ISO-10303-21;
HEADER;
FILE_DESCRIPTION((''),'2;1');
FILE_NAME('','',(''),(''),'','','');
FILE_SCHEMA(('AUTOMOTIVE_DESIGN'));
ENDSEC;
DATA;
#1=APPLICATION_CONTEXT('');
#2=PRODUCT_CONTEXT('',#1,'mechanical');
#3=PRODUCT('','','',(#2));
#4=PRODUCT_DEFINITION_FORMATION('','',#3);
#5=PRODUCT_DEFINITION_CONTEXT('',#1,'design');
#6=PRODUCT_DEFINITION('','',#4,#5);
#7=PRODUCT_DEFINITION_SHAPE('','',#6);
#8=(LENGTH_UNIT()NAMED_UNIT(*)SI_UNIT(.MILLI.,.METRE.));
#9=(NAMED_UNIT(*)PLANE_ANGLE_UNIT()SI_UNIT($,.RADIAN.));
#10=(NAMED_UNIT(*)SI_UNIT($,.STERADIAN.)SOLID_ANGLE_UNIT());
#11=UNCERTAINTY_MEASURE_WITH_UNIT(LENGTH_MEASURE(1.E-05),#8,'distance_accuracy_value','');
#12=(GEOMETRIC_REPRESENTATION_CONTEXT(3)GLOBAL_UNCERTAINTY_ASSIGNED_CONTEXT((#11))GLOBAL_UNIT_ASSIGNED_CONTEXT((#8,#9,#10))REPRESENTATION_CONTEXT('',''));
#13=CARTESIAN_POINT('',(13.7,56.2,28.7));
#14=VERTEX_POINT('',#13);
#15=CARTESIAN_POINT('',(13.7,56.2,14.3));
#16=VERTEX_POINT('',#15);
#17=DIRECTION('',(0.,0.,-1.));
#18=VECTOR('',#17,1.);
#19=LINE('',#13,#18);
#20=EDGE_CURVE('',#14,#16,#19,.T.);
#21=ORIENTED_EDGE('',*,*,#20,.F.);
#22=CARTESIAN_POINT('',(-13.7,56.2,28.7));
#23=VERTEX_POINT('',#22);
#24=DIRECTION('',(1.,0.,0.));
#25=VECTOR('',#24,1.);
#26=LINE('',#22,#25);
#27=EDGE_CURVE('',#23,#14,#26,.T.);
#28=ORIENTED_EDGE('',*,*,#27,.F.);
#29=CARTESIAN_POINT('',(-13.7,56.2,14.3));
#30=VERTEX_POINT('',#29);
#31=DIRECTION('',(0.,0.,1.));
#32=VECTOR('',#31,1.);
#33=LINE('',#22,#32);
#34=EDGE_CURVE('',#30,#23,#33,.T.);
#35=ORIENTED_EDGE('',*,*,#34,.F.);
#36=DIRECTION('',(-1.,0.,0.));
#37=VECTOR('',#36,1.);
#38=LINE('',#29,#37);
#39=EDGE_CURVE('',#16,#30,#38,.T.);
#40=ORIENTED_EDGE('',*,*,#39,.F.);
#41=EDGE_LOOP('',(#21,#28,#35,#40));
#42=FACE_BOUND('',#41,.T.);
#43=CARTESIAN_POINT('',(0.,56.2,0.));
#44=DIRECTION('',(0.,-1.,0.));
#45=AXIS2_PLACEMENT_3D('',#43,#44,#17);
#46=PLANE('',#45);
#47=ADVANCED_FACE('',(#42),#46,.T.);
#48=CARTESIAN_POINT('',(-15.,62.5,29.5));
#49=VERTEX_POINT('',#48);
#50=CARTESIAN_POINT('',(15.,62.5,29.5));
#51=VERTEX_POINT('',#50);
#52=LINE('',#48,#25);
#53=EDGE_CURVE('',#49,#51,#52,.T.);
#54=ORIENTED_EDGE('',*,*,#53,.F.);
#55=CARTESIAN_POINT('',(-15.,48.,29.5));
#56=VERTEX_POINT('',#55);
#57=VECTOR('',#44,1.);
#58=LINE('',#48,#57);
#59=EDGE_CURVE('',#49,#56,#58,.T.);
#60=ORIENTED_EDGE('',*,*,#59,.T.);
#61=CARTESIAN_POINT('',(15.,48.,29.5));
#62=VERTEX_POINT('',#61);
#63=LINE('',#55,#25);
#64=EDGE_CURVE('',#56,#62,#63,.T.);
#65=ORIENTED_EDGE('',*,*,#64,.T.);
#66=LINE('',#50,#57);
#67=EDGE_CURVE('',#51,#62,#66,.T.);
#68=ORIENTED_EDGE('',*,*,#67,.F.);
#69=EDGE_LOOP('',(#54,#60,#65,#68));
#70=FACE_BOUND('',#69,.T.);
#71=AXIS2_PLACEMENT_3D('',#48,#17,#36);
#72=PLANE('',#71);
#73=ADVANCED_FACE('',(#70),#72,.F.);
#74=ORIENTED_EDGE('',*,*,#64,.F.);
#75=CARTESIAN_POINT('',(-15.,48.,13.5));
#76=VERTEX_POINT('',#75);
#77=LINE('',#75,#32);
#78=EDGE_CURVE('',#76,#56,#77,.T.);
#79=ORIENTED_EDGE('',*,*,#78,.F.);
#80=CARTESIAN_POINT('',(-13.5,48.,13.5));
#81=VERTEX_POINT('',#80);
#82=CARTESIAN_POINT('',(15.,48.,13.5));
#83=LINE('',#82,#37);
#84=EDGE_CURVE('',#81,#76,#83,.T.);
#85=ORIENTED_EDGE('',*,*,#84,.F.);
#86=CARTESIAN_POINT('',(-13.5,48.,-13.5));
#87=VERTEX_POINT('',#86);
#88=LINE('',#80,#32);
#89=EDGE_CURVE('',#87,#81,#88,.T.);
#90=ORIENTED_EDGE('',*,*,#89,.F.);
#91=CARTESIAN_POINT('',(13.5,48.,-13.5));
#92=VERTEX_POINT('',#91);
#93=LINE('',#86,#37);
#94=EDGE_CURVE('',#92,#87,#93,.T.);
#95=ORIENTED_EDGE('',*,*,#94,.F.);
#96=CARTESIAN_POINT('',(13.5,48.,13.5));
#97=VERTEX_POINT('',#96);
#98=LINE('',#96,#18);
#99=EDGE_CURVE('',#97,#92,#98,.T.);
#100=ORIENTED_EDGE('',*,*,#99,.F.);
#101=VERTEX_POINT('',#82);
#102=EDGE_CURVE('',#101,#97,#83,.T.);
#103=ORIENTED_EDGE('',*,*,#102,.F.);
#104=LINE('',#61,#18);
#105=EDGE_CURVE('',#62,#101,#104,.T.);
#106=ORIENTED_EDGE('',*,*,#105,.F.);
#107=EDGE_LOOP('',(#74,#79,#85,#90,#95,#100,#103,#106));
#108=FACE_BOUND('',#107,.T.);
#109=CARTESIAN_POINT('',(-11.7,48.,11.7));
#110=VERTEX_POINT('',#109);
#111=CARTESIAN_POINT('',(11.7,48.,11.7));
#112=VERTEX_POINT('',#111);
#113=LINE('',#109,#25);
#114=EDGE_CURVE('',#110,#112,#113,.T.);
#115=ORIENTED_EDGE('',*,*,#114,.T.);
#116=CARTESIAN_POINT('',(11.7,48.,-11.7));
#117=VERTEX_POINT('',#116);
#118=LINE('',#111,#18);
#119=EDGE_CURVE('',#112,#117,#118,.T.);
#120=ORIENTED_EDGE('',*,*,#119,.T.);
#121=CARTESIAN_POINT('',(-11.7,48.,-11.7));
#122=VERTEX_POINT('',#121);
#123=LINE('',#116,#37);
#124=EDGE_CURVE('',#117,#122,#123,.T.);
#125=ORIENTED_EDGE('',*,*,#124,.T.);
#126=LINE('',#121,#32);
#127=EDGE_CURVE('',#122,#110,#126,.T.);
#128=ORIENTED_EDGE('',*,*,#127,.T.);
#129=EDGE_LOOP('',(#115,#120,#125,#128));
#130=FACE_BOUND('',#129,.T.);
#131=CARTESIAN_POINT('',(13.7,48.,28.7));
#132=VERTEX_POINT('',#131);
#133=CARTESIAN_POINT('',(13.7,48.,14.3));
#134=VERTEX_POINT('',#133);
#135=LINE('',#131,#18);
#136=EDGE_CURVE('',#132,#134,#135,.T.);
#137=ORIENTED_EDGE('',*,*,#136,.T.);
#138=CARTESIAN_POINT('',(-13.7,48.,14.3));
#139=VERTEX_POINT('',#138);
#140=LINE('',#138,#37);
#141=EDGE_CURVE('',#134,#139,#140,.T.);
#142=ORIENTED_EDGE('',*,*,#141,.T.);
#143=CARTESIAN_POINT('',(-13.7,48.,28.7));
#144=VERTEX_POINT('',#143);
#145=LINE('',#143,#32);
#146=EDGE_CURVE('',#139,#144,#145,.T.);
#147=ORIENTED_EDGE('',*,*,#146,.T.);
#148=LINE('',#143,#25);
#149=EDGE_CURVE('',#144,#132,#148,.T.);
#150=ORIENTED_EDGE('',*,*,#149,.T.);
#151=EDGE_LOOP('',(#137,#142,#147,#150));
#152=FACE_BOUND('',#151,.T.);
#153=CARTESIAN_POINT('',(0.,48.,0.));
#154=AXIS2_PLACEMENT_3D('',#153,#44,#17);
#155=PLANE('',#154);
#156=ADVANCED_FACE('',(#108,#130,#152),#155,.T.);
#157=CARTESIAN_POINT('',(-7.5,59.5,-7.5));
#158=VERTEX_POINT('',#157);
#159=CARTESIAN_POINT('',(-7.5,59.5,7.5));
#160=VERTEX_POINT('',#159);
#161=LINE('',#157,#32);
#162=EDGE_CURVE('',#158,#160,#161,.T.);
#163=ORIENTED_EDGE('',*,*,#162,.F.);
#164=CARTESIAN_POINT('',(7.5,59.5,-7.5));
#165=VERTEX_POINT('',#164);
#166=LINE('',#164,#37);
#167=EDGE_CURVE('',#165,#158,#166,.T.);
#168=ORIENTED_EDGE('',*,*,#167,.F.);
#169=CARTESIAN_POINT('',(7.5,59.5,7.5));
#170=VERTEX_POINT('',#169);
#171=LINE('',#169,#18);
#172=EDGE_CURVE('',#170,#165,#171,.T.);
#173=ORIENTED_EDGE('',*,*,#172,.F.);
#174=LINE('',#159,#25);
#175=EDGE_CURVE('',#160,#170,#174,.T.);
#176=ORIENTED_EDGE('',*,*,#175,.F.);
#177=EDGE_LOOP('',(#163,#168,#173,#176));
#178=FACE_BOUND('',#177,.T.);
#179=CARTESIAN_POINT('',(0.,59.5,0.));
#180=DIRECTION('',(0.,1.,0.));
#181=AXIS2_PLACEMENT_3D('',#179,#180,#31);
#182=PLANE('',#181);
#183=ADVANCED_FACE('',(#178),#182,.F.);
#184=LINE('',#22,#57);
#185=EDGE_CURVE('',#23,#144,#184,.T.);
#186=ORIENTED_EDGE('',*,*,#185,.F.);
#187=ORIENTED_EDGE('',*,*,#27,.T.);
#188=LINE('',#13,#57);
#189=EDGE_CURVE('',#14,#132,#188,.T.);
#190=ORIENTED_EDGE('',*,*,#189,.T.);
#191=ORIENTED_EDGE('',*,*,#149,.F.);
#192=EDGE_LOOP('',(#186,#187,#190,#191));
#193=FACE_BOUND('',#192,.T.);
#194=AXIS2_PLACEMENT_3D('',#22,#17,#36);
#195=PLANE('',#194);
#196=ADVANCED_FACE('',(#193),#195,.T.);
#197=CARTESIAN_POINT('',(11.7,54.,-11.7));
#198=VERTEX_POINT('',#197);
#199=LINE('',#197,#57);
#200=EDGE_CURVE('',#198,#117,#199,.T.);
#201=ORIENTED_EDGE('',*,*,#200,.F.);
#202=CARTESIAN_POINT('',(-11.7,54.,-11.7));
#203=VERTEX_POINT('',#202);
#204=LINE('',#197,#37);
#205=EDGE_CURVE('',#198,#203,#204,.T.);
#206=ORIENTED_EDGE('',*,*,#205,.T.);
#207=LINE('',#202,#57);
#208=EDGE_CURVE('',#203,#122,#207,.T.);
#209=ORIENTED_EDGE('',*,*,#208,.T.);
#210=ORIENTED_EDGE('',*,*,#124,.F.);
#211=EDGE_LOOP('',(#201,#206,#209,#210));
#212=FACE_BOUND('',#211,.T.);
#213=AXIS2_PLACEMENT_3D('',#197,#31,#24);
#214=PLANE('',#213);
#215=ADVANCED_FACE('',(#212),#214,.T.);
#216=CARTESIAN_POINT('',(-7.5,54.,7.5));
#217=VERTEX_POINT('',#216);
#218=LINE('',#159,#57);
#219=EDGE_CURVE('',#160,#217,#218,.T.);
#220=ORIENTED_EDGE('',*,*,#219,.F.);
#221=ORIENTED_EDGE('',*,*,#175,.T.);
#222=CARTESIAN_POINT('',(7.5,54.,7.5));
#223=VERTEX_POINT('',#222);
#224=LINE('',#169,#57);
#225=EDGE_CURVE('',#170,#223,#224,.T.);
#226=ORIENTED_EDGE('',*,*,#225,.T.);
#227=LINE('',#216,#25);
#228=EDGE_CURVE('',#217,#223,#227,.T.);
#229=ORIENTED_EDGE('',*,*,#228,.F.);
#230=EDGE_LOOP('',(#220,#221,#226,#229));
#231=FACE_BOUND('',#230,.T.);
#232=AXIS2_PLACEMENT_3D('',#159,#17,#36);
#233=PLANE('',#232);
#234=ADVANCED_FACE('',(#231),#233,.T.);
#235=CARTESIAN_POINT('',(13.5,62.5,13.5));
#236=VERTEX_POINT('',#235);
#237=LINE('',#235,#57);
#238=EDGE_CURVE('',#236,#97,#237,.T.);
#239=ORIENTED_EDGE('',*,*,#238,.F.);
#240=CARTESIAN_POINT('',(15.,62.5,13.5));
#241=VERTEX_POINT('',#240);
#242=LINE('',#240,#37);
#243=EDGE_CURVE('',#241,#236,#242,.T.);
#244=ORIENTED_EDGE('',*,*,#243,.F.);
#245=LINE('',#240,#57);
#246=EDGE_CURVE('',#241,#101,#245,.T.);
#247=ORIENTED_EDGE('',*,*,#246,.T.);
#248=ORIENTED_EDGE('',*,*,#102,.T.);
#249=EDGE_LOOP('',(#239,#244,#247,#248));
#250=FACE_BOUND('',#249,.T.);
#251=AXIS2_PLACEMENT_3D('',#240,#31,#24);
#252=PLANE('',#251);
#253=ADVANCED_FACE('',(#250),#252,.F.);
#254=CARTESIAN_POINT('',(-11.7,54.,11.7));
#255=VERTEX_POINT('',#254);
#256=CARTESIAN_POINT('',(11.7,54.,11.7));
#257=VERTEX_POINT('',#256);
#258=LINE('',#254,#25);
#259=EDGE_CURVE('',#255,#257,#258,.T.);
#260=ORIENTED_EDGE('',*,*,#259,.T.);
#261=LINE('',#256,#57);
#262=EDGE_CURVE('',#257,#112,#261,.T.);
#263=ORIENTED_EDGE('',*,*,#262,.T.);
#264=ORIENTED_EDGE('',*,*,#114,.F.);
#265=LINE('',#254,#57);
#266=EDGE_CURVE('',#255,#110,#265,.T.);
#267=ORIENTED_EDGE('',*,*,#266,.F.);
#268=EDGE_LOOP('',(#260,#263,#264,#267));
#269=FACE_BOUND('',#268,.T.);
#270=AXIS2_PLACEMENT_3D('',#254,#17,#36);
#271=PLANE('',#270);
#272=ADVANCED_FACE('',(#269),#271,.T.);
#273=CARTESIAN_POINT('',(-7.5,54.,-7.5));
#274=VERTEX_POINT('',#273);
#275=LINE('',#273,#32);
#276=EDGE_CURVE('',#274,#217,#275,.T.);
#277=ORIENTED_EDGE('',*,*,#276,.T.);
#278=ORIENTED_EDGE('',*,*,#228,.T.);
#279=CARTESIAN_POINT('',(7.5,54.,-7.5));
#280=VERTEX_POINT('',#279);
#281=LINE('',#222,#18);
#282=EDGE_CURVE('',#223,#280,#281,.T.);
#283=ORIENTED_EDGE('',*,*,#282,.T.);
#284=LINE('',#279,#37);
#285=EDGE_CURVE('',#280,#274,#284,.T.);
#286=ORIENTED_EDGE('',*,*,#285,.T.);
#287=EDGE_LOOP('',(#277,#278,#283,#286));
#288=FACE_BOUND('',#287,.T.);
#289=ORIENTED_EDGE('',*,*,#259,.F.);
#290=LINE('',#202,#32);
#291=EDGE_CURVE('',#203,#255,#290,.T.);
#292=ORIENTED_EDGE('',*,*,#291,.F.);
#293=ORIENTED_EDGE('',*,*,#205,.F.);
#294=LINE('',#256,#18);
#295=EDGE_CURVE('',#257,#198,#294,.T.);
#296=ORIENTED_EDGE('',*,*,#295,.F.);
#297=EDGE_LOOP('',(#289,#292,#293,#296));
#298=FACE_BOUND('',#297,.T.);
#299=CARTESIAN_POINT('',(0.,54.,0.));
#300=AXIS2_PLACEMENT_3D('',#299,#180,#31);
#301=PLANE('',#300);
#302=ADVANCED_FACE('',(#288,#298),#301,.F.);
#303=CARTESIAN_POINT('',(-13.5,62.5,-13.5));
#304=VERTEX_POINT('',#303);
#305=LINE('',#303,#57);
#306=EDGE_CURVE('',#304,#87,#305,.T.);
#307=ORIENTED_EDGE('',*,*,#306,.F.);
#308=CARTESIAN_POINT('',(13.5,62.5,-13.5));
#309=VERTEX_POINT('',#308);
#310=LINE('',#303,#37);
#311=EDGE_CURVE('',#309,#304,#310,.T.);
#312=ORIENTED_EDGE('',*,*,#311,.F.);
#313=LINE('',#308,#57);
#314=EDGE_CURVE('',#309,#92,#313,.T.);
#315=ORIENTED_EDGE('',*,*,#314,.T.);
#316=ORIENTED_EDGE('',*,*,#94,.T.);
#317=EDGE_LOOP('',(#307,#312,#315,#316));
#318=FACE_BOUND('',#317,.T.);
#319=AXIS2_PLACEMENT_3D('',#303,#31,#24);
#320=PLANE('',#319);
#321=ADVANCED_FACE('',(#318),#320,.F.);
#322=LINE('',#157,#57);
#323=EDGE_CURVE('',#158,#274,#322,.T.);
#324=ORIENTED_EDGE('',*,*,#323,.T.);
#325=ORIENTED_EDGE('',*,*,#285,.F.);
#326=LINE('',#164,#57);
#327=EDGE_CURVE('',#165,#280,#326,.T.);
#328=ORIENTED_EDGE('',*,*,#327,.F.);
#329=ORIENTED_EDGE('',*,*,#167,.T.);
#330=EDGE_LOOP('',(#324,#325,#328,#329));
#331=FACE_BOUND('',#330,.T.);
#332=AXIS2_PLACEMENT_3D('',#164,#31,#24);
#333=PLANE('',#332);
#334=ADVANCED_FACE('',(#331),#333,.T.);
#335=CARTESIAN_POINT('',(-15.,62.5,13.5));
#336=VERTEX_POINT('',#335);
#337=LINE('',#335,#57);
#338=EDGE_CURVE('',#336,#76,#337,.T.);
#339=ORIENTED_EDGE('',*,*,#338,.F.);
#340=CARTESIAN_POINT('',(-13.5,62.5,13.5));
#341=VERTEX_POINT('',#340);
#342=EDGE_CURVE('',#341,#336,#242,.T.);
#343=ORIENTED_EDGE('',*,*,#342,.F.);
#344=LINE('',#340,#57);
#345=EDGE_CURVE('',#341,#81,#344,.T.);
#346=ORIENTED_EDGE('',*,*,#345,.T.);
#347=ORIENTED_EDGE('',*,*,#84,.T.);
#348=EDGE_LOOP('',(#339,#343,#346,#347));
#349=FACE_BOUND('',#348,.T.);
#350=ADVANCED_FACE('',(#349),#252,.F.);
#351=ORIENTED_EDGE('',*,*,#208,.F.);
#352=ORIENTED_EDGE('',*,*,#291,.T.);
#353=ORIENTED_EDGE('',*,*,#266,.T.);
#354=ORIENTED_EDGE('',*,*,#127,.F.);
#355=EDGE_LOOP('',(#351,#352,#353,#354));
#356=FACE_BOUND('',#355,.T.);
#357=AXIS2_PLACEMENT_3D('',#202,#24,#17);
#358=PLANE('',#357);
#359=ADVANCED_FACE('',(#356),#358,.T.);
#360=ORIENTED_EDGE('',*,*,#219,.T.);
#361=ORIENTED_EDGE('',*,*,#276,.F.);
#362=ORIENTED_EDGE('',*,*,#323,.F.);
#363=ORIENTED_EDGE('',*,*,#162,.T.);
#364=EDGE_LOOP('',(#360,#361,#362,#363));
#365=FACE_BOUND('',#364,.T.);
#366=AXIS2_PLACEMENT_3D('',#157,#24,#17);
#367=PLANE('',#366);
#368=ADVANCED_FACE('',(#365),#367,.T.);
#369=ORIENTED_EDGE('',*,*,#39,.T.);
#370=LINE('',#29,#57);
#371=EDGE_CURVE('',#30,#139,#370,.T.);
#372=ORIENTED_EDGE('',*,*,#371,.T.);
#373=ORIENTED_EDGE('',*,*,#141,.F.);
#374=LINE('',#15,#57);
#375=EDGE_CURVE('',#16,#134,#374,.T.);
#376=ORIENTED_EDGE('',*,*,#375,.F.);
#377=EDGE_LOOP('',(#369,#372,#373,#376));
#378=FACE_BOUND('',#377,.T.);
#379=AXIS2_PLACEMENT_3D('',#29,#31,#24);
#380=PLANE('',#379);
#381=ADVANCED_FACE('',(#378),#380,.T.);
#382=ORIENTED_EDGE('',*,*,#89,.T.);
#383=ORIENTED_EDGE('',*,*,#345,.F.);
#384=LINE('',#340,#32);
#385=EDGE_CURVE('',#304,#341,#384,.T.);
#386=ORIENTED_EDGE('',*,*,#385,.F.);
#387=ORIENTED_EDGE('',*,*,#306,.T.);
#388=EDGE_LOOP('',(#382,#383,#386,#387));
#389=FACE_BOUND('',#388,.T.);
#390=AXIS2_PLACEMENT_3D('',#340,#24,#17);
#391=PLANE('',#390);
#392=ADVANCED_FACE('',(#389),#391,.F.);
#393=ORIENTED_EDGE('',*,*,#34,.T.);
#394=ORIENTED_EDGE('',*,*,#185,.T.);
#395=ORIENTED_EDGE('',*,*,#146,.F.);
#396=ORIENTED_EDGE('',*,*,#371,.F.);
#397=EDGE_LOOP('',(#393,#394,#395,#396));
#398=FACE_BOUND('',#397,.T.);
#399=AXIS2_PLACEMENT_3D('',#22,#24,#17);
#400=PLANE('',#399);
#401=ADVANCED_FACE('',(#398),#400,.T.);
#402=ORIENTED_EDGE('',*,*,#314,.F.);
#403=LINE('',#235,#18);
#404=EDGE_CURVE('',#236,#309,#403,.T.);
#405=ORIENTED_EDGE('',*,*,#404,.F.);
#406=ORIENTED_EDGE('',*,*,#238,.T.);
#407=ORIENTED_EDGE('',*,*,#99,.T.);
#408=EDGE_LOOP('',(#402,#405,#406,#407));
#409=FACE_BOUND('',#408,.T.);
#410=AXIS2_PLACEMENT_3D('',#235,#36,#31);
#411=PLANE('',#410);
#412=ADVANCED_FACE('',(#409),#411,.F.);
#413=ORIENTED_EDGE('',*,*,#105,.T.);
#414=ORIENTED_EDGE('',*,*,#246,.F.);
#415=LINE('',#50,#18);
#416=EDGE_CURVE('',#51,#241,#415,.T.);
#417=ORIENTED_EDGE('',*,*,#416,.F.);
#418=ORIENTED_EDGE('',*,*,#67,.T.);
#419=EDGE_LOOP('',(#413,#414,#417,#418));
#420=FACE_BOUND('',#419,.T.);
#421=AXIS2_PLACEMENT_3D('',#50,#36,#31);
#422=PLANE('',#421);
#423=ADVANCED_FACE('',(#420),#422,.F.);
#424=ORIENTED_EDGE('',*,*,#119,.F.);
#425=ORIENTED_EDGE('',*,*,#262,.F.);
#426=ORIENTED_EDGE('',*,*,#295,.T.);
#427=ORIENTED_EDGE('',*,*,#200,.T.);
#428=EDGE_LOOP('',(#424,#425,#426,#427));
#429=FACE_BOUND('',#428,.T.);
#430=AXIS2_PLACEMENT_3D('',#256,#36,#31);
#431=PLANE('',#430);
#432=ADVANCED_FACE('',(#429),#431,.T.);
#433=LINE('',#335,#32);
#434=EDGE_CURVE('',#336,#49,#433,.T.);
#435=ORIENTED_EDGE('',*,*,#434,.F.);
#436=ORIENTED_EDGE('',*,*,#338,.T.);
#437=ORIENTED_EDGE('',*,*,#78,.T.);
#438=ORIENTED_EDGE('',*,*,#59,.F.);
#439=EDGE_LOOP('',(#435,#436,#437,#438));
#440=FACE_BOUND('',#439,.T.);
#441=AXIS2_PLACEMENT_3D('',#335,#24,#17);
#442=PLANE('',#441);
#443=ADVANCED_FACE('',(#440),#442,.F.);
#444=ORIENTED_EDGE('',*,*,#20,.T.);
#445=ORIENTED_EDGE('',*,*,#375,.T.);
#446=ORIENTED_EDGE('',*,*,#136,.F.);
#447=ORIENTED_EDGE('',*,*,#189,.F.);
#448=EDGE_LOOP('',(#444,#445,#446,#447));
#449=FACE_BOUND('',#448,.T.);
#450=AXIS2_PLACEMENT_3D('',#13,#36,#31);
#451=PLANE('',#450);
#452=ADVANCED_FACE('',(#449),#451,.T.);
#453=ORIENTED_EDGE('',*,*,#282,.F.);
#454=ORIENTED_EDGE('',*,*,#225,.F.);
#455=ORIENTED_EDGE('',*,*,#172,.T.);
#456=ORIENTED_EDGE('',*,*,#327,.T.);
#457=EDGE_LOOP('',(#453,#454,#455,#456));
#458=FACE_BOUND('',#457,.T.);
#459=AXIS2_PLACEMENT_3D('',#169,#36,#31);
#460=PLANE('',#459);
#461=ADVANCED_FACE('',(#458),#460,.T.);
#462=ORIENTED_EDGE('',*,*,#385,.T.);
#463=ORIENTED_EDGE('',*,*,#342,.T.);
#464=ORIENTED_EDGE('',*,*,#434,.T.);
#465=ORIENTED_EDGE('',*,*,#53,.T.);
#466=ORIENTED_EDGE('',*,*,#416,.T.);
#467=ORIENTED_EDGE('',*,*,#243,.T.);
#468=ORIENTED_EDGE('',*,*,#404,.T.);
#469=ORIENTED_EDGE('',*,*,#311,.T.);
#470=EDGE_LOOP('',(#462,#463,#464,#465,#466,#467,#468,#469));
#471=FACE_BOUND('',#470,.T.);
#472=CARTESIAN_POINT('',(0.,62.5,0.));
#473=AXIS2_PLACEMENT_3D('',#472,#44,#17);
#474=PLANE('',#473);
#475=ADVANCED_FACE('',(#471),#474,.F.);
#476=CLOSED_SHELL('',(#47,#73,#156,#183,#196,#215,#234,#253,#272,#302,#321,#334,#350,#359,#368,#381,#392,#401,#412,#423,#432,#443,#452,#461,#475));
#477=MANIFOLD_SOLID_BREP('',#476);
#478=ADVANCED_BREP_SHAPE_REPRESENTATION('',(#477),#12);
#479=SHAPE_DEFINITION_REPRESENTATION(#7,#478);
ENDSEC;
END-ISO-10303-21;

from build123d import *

# Parameters (mm, degrees)
LID_BLOCK_START      = 48
SKETCH1_W            = 27
SKETCH1_H            = 27
LID_BLOCK_DEPTH      = 14.5
MAGNET_EAR_START     = 48
SKETCH2_W            = 30
SKETCH2_H            = 16
MAGNET_EAR_DEPTH     = 14.5
SKIRT_RECESS_START   = 48
SKETCH3_W            = 23.4
SKETCH3_H            = 23.4
SKIRT_RECESS_DEPTH   = 6
CUVETTE_CAVITY_START = 54
SKETCH4_W            = 15
SKETCH4_H            = 15
CUVETTE_CAVITY_DEPTH = 5.5
MAGNET_POCKET_START  = 48
SKETCH5_W            = 27.4
SKETCH5_H            = 14.4
MAGNET_POCKET_DEPTH  = 8.2


with BuildPart() as part:
    # Sketch1 → Lid_Block (new body)
    with BuildSketch(Plane(origin=(0, 0, 0), x_dir=(1, 0, 0), z_dir=(0, 1, 0)).offset(LID_BLOCK_START)):
        Rectangle(SKETCH1_W, SKETCH1_H)
    extrude(amount=LID_BLOCK_DEPTH)

    # Sketch2 → Magnet_Ear (add)
    with BuildSketch(Plane(origin=(0, 0, 0), x_dir=(1, 0, 0), z_dir=(0, 1, 0)).offset(MAGNET_EAR_START)):
        with Locations((0, -21.5)):
            Rectangle(SKETCH2_W, SKETCH2_H)
    extrude(amount=MAGNET_EAR_DEPTH)

    # Sketch3 → Skirt_Recess (cut)
    with BuildSketch(Plane(origin=(0, 0, 0), x_dir=(1, 0, 0), z_dir=(0, 1, 0)).offset(SKIRT_RECESS_START)):
        Rectangle(SKETCH3_W, SKETCH3_H)
    extrude(amount=SKIRT_RECESS_DEPTH, mode=Mode.SUBTRACT)

    # Sketch4 → Cuvette_Cavity (cut)
    with BuildSketch(Plane(origin=(0, 0, 0), x_dir=(1, 0, 0), z_dir=(0, 1, 0)).offset(CUVETTE_CAVITY_START)):
        Rectangle(SKETCH4_W, SKETCH4_H)
    extrude(amount=CUVETTE_CAVITY_DEPTH, mode=Mode.SUBTRACT)

    # Sketch5 → Magnet_Pocket (cut)
    with BuildSketch(Plane(origin=(0, 0, 0), x_dir=(1, 0, 0), z_dir=(0, 1, 0)).offset(MAGNET_POCKET_START)):
        with Locations((0, -21.5)):
            Rectangle(SKETCH5_W, SKETCH5_H)
    extrude(amount=MAGNET_POCKET_DEPTH, mode=Mode.SUBTRACT)


solid = part.part
